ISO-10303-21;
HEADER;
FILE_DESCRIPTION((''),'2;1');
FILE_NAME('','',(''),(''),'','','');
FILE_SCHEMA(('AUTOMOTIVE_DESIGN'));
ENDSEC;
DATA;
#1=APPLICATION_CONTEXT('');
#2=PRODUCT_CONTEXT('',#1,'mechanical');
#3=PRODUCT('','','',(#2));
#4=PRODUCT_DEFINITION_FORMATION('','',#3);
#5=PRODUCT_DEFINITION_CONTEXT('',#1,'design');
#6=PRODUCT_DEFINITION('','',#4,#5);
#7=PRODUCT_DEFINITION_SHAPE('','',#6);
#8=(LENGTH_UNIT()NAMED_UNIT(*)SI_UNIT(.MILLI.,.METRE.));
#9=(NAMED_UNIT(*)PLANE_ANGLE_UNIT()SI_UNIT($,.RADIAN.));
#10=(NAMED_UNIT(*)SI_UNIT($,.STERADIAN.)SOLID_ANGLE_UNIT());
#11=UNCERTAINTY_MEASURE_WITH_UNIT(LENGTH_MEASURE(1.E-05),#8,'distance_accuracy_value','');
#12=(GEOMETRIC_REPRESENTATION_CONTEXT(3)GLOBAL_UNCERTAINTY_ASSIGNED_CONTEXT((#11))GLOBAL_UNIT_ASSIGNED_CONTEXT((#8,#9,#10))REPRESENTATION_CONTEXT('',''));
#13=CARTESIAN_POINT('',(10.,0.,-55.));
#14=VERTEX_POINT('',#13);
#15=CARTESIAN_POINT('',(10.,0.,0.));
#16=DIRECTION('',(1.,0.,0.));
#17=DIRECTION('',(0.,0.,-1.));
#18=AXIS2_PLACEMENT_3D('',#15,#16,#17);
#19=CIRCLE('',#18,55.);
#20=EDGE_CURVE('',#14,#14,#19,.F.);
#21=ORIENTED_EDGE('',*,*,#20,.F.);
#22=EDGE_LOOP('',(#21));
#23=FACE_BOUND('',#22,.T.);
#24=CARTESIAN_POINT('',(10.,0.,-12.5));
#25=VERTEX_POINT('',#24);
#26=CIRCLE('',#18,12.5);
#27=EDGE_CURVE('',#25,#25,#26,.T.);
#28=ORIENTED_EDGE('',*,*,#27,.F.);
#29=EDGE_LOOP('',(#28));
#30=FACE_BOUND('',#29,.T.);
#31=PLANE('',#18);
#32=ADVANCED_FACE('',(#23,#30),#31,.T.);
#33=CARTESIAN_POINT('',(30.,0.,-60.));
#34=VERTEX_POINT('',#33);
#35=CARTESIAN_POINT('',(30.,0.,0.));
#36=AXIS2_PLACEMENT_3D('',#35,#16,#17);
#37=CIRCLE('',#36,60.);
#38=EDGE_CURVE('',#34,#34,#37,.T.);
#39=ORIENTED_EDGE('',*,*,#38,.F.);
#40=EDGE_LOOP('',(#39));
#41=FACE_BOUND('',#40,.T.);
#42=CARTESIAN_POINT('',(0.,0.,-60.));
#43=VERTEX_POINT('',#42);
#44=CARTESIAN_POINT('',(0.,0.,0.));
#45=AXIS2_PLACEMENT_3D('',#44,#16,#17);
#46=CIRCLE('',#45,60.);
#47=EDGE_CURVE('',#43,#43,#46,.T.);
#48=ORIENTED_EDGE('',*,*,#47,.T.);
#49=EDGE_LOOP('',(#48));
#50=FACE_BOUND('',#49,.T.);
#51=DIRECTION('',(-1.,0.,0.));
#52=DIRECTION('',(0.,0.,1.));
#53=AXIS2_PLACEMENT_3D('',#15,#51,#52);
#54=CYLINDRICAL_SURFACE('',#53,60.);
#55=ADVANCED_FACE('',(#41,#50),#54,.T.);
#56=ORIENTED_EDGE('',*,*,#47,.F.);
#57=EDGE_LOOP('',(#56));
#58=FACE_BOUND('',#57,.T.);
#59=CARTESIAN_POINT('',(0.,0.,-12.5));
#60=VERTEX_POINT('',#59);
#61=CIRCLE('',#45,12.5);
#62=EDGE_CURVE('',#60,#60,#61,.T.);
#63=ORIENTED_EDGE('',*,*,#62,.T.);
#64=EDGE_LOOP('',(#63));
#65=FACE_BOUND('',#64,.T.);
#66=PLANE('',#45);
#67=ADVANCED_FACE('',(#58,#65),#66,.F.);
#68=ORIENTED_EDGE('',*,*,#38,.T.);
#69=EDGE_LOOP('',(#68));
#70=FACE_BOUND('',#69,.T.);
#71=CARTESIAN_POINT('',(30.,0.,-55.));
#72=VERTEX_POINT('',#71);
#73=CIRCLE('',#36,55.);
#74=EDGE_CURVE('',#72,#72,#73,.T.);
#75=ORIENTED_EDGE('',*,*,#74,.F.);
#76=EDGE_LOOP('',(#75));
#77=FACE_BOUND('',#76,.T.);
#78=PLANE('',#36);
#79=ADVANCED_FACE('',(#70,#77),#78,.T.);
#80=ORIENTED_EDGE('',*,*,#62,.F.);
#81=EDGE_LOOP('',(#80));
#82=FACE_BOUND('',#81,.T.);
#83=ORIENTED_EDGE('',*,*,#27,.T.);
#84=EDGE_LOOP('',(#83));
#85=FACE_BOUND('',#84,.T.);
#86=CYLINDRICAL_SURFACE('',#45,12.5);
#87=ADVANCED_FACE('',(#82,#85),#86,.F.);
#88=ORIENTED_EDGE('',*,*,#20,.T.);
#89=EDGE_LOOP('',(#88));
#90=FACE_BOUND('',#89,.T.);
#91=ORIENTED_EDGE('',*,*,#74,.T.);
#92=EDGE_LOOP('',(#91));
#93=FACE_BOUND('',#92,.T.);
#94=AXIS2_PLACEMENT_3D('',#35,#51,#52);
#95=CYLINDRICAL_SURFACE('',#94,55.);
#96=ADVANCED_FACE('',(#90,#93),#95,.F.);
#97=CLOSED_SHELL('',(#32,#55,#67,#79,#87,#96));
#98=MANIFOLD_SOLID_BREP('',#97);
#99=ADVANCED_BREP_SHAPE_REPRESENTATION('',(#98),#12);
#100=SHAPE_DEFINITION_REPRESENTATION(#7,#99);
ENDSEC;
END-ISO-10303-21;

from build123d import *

# Parameters (mm, degrees)
SKETCH1_R           = 60
BOSS_EXTRUDE1_DEPTH = 10
SKETCH2_R           = 60
SKETCH2_R_2         = 55
BOSS_EXTRUDE2_DEPTH = 20
SKETCH3_R           = 12.5
CUT_EXTRUDE1_DEPTH  = 11


with BuildPart() as part:
    # Sketch1 → Boss-Extrude1 (new body)
    with BuildSketch(Plane(origin=(0, 0, 0), x_dir=(0, 0, -1), z_dir=(1, 0, 0))):
        Circle(SKETCH1_R)
    extrude(amount=BOSS_EXTRUDE1_DEPTH)

    # Sketch2 → Boss-Extrude2 (add)
    with BuildSketch(Plane(origin=(10, 0, 0), x_dir=(0, 0, -1), z_dir=(1, 0, 0))):
        Circle(SKETCH2_R)
        Circle(SKETCH2_R_2, mode=Mode.SUBTRACT)
    extrude(amount=BOSS_EXTRUDE2_DEPTH)

    # Sketch3 → Cut-Extrude1 (cut, through all)
    with BuildSketch(Plane(origin=(10, 0, 0), x_dir=(0, 0, -1), z_dir=(1, 0, 0))):
        Circle(SKETCH3_R)
    extrude(amount=-CUT_EXTRUDE1_DEPTH, mode=Mode.SUBTRACT)


solid = part.part
